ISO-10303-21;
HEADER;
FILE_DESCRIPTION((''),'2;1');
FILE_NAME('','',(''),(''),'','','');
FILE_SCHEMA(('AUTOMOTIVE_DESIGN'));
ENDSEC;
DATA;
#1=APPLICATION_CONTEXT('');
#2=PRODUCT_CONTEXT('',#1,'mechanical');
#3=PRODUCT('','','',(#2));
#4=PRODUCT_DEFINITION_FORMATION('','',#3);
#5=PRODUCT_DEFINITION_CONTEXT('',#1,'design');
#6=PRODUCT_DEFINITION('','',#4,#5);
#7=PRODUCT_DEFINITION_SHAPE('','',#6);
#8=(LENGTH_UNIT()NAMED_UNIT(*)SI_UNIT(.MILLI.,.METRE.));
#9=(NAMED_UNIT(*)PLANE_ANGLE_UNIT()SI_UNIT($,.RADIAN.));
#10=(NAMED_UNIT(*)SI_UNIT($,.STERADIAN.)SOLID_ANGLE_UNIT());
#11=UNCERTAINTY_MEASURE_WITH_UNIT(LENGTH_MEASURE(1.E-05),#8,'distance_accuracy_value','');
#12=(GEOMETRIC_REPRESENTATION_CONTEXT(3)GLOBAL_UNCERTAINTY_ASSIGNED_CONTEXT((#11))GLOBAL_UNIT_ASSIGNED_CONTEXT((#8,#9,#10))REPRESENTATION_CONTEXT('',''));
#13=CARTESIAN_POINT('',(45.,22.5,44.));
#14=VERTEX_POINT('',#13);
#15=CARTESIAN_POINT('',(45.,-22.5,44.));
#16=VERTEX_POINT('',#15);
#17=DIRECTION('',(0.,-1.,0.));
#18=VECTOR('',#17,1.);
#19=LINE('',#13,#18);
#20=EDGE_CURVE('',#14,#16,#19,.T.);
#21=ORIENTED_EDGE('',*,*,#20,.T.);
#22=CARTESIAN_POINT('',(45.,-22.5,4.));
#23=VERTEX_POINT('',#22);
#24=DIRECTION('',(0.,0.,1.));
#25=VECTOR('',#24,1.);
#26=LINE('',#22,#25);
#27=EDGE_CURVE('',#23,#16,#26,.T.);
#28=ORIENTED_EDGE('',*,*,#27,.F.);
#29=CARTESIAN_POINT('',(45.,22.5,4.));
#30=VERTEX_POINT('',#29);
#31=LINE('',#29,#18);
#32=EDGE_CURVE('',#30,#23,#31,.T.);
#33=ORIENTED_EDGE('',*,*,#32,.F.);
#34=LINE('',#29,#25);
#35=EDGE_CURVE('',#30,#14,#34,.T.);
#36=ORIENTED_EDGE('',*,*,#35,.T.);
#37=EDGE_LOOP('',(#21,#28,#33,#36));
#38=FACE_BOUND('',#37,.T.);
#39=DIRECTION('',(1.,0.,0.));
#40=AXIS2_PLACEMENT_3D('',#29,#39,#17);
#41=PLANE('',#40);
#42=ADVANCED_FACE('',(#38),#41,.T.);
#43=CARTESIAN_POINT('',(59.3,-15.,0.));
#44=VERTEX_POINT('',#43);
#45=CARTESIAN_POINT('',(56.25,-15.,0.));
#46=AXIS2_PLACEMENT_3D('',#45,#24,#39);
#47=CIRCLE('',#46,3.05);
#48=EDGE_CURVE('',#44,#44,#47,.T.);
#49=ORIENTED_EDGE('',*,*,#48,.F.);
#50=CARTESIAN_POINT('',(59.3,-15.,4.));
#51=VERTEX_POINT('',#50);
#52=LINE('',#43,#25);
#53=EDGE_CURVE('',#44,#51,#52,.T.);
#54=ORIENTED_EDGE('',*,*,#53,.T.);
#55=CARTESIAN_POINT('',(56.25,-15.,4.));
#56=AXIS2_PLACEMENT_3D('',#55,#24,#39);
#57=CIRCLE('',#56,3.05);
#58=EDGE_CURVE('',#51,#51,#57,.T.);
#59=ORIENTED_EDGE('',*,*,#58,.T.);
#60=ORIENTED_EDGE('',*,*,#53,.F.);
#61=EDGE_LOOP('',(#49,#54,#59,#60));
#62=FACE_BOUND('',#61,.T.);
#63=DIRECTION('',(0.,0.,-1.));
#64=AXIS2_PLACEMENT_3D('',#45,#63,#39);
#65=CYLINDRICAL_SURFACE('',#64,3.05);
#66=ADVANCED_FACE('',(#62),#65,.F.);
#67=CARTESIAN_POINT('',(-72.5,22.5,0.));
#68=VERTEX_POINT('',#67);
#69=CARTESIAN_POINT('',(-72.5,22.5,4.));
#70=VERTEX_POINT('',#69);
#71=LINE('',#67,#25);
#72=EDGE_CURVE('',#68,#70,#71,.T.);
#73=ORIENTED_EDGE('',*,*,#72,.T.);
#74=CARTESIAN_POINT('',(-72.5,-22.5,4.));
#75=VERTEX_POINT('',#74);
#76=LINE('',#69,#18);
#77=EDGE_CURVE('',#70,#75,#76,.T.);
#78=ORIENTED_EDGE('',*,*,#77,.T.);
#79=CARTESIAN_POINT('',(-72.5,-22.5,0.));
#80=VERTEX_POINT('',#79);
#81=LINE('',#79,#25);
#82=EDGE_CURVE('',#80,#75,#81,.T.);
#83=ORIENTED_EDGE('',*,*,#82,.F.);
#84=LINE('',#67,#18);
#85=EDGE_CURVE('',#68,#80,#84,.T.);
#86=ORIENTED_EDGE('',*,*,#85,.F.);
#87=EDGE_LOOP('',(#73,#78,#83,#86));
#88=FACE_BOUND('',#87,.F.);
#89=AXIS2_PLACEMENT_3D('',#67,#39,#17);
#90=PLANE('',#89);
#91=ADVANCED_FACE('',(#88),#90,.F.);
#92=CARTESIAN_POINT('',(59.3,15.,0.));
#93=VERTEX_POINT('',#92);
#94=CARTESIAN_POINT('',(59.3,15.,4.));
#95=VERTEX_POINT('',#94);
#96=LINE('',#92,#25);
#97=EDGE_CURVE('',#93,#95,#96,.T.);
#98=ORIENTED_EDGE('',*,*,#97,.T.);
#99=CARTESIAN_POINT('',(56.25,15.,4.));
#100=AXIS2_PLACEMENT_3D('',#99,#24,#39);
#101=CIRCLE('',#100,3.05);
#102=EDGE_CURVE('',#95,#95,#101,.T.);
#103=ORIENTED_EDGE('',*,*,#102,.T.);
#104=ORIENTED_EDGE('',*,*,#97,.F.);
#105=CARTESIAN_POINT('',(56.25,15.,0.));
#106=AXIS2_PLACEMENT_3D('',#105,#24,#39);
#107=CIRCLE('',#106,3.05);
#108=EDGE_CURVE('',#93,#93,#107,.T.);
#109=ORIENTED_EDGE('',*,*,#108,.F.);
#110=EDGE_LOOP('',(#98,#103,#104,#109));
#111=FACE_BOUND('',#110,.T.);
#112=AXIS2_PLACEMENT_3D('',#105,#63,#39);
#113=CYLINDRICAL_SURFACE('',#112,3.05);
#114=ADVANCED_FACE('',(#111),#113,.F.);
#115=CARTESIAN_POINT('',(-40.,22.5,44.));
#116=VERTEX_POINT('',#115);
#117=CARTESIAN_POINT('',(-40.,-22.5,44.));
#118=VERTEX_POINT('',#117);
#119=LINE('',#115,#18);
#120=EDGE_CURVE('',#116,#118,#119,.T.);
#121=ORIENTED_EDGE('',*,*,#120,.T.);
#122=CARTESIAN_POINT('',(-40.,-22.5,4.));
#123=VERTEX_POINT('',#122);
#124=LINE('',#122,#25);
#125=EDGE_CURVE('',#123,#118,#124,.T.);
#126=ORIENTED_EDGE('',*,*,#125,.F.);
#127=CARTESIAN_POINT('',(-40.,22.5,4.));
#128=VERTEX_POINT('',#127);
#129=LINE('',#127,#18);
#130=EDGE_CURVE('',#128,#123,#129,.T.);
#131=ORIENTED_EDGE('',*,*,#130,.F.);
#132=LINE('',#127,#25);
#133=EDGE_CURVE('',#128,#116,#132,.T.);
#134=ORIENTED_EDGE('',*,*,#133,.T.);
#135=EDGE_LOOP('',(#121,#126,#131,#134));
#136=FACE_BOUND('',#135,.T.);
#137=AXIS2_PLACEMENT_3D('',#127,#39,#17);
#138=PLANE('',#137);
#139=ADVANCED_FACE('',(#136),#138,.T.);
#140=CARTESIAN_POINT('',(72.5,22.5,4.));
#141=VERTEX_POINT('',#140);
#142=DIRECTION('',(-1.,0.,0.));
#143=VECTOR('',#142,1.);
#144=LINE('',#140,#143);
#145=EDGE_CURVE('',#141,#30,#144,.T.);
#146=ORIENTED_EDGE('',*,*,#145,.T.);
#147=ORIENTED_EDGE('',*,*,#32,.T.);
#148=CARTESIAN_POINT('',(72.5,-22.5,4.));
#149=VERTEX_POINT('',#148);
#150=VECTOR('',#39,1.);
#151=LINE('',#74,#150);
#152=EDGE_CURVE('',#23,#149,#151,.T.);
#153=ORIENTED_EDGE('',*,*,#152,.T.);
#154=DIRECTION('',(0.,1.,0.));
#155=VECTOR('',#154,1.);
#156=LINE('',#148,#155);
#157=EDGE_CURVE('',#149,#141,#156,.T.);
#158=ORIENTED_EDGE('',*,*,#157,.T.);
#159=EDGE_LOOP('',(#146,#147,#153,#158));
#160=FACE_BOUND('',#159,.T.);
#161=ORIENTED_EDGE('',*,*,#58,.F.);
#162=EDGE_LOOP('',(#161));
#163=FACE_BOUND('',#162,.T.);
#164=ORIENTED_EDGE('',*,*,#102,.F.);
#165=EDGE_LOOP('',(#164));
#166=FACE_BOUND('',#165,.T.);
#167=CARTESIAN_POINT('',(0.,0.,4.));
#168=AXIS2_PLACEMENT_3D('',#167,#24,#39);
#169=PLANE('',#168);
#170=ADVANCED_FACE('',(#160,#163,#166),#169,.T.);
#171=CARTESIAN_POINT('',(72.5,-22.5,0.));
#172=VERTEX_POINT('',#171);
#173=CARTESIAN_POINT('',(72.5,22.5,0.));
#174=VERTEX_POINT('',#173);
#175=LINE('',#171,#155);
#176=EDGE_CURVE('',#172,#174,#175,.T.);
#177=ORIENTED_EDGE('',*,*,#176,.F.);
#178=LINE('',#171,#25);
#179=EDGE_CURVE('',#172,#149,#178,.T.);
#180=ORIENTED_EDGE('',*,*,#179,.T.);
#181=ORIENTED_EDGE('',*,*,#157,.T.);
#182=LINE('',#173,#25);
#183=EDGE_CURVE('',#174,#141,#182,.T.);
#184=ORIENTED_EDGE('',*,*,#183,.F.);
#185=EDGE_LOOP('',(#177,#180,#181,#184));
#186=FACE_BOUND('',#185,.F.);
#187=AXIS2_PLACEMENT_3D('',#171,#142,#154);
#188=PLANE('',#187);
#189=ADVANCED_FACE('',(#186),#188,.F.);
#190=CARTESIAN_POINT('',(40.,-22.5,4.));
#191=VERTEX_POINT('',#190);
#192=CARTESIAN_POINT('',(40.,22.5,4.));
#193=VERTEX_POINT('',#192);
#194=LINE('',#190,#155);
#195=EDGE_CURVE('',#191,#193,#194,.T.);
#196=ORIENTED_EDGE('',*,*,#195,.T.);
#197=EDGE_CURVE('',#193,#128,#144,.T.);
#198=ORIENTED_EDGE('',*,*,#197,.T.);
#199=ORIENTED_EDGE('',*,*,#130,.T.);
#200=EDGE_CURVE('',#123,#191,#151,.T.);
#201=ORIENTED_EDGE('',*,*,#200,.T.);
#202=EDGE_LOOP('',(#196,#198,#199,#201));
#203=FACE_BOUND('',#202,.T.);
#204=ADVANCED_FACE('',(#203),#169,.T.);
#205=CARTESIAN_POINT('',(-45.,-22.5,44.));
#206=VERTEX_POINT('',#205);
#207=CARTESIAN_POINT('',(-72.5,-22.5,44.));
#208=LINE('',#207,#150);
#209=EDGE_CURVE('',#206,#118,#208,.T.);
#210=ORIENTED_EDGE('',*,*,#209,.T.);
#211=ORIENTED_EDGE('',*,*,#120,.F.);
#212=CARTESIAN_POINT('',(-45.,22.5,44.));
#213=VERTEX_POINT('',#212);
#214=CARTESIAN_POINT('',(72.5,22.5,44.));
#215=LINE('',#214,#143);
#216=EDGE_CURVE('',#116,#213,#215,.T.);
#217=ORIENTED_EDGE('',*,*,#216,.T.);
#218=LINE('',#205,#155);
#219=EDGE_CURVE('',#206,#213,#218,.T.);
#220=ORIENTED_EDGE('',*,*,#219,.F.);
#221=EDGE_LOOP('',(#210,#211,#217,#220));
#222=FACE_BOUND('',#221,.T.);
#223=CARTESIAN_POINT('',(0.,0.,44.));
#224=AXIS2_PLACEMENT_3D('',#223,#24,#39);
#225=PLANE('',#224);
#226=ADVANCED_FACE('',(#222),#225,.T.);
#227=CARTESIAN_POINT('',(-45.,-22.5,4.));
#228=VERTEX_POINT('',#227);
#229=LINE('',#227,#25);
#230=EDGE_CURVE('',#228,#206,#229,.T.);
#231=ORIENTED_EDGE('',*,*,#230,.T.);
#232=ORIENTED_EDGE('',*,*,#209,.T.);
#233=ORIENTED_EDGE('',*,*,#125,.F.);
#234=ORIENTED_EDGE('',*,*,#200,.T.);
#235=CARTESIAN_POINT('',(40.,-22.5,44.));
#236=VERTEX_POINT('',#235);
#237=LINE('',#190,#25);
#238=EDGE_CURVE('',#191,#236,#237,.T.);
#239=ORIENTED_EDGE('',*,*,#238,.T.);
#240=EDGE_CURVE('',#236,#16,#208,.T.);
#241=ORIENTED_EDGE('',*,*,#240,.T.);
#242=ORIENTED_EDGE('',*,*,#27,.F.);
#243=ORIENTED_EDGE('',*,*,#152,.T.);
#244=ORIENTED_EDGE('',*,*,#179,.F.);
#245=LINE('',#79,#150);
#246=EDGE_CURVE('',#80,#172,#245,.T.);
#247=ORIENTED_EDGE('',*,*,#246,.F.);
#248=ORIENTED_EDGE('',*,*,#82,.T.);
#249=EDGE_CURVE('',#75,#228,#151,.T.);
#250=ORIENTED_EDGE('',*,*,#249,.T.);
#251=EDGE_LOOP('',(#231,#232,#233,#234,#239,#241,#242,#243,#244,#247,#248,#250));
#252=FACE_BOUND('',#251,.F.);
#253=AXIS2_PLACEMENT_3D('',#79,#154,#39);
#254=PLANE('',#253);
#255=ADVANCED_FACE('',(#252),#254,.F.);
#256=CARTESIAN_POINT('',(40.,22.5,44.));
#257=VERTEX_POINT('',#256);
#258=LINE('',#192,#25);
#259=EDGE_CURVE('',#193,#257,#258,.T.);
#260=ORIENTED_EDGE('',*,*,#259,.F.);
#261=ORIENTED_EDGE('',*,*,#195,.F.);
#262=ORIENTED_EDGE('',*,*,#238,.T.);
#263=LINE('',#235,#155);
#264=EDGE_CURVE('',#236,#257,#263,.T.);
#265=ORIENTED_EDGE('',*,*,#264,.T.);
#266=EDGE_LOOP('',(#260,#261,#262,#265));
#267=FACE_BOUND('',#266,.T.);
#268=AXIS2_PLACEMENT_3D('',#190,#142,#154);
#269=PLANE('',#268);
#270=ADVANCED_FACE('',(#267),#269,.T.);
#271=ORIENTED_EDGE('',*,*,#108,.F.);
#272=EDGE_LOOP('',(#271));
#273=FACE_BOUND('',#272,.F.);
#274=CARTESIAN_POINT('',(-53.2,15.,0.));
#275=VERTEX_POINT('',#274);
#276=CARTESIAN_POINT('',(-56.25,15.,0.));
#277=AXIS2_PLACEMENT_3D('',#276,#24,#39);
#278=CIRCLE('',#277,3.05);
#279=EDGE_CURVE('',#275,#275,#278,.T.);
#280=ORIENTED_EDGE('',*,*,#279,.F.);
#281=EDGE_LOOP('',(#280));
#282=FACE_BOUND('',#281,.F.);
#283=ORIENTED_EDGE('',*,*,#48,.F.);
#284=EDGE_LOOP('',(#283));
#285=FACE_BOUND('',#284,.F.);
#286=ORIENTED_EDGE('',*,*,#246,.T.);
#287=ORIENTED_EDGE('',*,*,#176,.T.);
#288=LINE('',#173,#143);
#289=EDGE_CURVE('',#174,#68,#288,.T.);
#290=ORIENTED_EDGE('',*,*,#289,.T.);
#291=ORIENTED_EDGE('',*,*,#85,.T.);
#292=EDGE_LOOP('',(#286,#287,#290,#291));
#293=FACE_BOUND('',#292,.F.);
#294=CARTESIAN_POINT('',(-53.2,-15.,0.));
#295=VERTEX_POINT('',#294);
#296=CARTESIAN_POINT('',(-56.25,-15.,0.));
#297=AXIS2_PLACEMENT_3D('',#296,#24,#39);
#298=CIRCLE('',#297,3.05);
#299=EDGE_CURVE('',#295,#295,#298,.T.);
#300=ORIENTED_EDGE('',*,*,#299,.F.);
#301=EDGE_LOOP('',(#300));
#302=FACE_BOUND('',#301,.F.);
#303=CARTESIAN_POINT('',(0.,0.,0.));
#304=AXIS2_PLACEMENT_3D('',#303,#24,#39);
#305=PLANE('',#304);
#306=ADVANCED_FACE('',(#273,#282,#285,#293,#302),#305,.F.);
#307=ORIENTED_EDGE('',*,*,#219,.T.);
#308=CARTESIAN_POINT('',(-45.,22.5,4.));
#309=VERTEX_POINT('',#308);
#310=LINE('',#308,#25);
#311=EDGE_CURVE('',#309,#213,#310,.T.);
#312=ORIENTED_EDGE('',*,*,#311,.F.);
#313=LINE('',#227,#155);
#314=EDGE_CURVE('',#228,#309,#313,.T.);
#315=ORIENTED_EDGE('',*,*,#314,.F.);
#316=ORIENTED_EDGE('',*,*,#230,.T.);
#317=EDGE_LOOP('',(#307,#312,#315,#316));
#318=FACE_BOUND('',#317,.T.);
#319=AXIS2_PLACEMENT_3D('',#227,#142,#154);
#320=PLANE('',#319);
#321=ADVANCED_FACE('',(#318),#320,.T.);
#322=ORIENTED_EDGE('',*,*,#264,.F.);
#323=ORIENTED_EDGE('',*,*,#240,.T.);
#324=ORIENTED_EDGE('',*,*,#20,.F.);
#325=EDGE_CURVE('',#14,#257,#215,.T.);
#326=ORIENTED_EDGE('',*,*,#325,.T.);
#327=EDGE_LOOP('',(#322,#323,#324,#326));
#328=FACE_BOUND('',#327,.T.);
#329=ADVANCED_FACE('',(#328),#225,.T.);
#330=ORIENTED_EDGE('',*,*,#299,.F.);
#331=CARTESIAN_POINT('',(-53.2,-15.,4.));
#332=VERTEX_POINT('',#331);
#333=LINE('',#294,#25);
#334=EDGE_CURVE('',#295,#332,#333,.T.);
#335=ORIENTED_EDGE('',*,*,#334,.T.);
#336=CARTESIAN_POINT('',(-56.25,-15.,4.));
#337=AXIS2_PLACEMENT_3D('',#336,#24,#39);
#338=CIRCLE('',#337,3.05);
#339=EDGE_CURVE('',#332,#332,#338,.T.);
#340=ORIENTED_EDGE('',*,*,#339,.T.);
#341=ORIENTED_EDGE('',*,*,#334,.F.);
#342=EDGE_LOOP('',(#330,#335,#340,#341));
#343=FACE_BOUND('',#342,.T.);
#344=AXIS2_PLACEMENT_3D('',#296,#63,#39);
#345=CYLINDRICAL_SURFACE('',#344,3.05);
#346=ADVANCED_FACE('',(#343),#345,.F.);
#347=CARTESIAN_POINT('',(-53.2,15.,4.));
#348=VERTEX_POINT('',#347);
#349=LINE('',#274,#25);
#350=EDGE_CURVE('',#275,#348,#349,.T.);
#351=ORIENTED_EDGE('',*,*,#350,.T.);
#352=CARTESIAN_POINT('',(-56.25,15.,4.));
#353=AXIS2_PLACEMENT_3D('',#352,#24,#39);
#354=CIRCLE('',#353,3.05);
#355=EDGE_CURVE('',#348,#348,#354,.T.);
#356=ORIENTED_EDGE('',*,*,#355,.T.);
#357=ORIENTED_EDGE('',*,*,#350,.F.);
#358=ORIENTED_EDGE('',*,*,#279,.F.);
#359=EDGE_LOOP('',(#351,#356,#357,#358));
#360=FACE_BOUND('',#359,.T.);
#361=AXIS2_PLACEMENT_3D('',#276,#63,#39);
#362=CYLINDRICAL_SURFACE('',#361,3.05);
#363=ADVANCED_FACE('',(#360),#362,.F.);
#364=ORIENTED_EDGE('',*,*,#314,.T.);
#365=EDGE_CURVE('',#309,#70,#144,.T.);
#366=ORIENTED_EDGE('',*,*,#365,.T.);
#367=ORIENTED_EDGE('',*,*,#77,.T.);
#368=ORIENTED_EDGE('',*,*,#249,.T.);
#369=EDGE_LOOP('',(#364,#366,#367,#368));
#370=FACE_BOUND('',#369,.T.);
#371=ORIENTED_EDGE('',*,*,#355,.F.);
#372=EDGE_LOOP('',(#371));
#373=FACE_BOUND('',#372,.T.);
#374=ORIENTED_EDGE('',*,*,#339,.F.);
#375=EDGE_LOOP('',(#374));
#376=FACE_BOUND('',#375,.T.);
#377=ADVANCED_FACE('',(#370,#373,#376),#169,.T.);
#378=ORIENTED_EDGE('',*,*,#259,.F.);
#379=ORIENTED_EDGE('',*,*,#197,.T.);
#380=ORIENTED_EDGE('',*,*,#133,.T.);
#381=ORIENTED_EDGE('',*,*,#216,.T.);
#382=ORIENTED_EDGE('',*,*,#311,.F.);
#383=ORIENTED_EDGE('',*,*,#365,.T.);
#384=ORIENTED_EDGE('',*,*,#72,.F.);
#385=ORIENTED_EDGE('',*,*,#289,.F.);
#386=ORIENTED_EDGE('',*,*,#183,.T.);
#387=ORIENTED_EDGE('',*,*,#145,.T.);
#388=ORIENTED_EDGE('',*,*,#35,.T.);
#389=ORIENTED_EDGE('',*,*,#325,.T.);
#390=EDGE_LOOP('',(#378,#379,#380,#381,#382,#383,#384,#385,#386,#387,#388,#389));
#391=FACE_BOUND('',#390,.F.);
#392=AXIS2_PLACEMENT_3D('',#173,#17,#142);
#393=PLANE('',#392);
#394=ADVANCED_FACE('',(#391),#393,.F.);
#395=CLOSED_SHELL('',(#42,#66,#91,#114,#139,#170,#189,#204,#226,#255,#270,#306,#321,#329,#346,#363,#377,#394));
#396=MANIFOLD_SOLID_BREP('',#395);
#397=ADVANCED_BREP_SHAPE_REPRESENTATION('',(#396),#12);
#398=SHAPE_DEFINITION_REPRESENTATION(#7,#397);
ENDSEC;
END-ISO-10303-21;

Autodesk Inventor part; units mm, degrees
ref_plane "YZ Plane" through (0, 0, 0) normal (1, 0, 0) x (0, 1, 0)
ref_plane "XZ Plane" through (0, 0, 0) normal (0, 1, 0) x (-1, 0, 0)
ref_plane "XY Plane" through (0, 0, 0) normal (0, 0, 1) x (1, 0, 0)
sketch "Sketch1" plane through (0, 0, 0) normal (0, 0, 1) x (1, 0, 0)
  line L0 (-56.25, -15) -> (56.25, -15) construction
  line L1 (56.25, -15) -> (56.25, 15) construction
  line L2 (56.25, 15) -> (-56.25, 15) construction
  line L3 (-56.25, 15) -> (-56.25, -15) construction
  line L4 (-56.25, -15) -> (56.25, 15) construction
  line L5 (56.25, -15) -> (-56.25, 15) construction
  circle A0 centre (-56.25, 15) radius 3.05
  circle A1 centre (56.25, 15) radius 3.05
  circle A2 centre (56.25, -15) radius 3.05
  circle A3 centre (-56.25, -15) radius 3.05
  line L6 (-72.5, -22.5) -> (72.5, -22.5)
  line L7 (72.5, -22.5) -> (72.5, 22.5)
  line L8 (72.5, 22.5) -> (-72.5, 22.5)
  line L9 (-72.5, 22.5) -> (-72.5, -22.5)
  line L10 (-72.5, -22.5) -> (72.5, 22.5) construction
  line L11 (72.5, -22.5) -> (-72.5, 22.5) construction
  point P0 (0, 0)
  dimension "d0" = 112.5
  dimension "d1" = 30
  dimension "d2" = 6.1
  dimension "d3" = 145
  dimension "d4" = 45
extrude "Extrusion1" add sketch "Sketch1" along normal blind 4
sketch "Sketch2" plane through (0, 0, 4) normal (0, 0, 1) x (1, 0, 0)
  line L0 (72.5, 22.5) -> (-72.5, 22.5) projected
  line L1 (-72.5, -22.5) -> (72.5, -22.5) projected
  line L2 (-45, 22.5) -> (-40, 22.5)
  line L3 (-40, 22.5) -> (-40, -22.5)
  line L4 (-40, -22.5) -> (-45, -22.5)
  line L5 (-45, -22.5) -> (-45, 22.5)
  line L6 (40, 22.5) -> (45, 22.5)
  line L7 (45, 22.5) -> (45, -22.5)
  line L8 (45, -22.5) -> (40, -22.5)
  line L9 (40, -22.5) -> (40, 22.5)
  line L10 (-72.5, 22.5) -> (-72.5, -22.5) projected
  point P0 (0, 0)
  dimension "d7" = 5
  dimension "d8" = 5
  dimension "d9" = 80
  dimension "d10" = 27.5
extrude "Extrusion2" add sketch "Sketch2" along normal blind 40 contours L7 L1 L9 L0 | L3 L1 L5 L0
properties part number "WheelModuleBracket" material "ABS Plastic"
